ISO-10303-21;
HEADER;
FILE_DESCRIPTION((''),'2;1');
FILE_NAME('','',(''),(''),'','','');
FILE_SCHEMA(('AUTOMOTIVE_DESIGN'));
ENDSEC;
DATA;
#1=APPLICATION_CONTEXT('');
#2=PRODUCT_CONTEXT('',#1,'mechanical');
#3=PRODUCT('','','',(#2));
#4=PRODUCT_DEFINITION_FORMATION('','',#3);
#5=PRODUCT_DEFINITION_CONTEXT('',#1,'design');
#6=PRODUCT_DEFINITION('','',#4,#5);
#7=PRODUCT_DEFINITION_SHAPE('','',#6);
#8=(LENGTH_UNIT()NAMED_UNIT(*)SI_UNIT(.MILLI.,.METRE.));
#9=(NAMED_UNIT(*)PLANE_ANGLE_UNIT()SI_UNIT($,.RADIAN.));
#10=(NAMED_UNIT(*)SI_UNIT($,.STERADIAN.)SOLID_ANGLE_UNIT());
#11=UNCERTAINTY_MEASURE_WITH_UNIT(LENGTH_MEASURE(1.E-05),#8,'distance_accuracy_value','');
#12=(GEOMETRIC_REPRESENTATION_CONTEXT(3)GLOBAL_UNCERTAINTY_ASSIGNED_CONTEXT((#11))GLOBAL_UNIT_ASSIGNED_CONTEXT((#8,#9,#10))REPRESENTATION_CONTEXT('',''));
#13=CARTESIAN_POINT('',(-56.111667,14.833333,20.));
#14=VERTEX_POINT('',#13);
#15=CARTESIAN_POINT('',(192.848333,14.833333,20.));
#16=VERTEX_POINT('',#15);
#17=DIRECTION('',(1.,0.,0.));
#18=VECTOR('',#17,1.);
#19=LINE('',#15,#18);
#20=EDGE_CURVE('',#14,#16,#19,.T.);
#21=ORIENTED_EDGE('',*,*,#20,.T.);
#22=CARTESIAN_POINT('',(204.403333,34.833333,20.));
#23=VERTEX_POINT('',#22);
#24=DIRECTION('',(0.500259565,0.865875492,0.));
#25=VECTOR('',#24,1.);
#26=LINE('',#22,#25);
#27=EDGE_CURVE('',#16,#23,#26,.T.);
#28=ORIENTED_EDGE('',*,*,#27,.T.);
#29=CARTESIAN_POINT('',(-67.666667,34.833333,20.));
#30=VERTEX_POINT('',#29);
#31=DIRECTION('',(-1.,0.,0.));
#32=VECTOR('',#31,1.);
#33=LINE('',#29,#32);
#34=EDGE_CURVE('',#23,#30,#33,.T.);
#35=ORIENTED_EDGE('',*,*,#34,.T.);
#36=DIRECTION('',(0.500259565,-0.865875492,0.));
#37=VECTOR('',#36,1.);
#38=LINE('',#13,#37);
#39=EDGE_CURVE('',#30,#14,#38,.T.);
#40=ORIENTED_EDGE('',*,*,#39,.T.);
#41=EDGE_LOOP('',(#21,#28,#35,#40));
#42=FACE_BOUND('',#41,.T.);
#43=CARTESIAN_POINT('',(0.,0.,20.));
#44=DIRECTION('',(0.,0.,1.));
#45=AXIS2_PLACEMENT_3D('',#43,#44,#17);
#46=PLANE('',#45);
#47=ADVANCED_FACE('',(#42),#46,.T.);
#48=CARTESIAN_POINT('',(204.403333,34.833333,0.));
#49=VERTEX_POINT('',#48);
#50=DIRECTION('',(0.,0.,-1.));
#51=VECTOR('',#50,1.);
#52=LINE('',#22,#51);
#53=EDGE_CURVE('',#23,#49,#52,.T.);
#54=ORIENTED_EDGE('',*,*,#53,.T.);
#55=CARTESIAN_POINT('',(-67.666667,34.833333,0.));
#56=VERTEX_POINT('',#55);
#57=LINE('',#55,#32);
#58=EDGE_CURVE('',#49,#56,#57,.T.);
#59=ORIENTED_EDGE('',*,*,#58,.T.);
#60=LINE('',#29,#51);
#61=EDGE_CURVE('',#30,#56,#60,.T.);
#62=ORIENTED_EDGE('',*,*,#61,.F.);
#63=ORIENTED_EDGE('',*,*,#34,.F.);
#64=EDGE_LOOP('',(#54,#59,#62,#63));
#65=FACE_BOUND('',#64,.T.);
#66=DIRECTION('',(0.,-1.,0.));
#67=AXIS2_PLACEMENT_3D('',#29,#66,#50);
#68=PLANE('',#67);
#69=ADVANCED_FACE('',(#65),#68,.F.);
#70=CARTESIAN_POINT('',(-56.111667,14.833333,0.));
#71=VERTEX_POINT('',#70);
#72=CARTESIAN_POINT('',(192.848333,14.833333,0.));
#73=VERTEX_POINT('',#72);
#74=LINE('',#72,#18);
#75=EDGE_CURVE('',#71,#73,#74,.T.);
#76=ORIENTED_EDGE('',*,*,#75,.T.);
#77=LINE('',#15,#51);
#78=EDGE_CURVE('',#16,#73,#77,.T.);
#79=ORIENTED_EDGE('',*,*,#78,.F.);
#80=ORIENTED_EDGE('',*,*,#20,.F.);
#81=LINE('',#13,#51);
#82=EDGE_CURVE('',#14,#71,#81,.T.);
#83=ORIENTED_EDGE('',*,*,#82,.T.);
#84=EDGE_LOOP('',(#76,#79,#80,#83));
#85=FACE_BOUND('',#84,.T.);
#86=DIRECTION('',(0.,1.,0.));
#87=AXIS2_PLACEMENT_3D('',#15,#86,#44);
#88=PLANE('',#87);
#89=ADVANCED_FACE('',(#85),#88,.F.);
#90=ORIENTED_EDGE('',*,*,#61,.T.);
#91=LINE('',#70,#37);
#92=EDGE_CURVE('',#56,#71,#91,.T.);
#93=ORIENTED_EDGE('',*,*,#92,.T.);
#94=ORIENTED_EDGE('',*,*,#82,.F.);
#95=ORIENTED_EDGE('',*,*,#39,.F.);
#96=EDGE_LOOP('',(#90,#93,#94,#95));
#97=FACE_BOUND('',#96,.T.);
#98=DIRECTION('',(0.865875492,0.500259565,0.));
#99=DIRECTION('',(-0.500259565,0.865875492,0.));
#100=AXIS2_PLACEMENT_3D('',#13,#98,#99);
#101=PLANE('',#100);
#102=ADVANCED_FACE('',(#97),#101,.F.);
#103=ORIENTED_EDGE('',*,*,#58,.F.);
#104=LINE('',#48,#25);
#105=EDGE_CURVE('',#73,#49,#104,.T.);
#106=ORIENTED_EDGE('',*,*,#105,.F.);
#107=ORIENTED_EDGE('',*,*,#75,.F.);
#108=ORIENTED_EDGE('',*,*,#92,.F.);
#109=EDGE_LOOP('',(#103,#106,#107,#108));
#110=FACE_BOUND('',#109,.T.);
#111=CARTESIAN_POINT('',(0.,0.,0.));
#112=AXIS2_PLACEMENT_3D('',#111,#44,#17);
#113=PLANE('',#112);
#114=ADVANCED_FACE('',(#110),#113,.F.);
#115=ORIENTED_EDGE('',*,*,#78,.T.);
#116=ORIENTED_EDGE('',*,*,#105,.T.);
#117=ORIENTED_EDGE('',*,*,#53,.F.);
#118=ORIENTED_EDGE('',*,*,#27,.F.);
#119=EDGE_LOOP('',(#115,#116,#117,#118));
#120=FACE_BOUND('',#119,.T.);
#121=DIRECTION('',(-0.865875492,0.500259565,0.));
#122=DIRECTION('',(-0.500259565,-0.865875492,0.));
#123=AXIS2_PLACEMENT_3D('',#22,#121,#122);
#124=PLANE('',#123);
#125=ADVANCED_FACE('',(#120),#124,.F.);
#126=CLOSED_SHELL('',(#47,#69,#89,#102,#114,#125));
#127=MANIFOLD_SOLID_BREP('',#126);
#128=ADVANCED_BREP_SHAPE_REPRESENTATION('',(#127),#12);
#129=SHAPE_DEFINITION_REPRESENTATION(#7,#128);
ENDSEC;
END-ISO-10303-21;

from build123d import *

# Parameters (mm, degrees)
BOSS_EXTRUDE1_DEPTH = 20


with BuildPart() as part:
    # Sketch1 → Boss-Extrude1 (new body)
    with BuildSketch(Plane.XY):
        Polygon((-67.666666667, 34.833333333), (204.403333333, 34.833333333), (192.848333333, 14.833333333), (-56.111666667, 14.833333333), align=None)
    extrude(amount=BOSS_EXTRUDE1_DEPTH)


solid = part.part
